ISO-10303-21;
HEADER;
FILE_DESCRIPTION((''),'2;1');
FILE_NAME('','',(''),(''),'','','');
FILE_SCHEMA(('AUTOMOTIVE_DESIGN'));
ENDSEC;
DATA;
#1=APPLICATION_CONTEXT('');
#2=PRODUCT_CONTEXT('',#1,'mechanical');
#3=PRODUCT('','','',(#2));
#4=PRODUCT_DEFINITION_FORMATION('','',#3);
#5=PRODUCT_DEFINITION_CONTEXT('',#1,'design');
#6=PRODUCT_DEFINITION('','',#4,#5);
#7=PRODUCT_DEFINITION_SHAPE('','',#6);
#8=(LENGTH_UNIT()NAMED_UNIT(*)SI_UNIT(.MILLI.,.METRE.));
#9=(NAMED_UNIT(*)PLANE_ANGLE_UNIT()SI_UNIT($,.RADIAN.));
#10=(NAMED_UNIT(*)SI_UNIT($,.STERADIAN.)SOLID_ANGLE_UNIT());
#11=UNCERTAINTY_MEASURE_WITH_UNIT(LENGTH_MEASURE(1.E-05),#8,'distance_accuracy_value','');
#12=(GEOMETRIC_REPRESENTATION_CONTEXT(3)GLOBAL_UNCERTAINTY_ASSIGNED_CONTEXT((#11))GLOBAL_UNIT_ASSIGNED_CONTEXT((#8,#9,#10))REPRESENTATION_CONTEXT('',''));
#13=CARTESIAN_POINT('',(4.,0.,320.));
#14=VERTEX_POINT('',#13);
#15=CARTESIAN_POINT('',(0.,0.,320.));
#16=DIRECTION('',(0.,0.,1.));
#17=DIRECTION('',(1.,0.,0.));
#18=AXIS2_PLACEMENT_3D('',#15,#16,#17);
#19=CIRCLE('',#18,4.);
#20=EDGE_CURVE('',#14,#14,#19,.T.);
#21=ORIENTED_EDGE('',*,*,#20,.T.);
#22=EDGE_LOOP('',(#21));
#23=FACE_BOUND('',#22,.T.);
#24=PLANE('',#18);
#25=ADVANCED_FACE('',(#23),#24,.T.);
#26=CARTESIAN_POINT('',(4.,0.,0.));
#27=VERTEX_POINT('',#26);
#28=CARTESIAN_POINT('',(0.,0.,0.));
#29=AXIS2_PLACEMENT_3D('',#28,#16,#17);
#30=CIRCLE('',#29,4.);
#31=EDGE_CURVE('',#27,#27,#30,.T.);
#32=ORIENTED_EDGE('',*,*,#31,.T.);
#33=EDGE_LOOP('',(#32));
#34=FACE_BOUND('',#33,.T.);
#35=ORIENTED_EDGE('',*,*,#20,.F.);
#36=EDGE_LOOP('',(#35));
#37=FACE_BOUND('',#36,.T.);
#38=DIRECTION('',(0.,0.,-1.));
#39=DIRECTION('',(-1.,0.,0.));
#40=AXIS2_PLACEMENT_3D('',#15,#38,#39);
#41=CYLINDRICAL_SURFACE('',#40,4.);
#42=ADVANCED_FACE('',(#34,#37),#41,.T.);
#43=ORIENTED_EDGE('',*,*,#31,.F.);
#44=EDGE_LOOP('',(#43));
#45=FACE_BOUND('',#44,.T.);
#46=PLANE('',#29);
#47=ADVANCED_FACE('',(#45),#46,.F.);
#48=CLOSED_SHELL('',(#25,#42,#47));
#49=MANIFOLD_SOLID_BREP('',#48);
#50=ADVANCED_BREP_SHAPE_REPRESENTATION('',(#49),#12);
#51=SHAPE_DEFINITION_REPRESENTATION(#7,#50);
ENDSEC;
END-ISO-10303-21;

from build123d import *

# Parameters (mm, degrees)
CROQUIS1_R              = 4
SALIENTE_EXTRUIR1_DEPTH = 320


with BuildPart() as part:
    # Croquis1 → Saliente-Extruir1 (new body)
    with BuildSketch(Plane.XY):
        Circle(CROQUIS1_R)
    extrude(amount=SALIENTE_EXTRUIR1_DEPTH)


solid = part.part
